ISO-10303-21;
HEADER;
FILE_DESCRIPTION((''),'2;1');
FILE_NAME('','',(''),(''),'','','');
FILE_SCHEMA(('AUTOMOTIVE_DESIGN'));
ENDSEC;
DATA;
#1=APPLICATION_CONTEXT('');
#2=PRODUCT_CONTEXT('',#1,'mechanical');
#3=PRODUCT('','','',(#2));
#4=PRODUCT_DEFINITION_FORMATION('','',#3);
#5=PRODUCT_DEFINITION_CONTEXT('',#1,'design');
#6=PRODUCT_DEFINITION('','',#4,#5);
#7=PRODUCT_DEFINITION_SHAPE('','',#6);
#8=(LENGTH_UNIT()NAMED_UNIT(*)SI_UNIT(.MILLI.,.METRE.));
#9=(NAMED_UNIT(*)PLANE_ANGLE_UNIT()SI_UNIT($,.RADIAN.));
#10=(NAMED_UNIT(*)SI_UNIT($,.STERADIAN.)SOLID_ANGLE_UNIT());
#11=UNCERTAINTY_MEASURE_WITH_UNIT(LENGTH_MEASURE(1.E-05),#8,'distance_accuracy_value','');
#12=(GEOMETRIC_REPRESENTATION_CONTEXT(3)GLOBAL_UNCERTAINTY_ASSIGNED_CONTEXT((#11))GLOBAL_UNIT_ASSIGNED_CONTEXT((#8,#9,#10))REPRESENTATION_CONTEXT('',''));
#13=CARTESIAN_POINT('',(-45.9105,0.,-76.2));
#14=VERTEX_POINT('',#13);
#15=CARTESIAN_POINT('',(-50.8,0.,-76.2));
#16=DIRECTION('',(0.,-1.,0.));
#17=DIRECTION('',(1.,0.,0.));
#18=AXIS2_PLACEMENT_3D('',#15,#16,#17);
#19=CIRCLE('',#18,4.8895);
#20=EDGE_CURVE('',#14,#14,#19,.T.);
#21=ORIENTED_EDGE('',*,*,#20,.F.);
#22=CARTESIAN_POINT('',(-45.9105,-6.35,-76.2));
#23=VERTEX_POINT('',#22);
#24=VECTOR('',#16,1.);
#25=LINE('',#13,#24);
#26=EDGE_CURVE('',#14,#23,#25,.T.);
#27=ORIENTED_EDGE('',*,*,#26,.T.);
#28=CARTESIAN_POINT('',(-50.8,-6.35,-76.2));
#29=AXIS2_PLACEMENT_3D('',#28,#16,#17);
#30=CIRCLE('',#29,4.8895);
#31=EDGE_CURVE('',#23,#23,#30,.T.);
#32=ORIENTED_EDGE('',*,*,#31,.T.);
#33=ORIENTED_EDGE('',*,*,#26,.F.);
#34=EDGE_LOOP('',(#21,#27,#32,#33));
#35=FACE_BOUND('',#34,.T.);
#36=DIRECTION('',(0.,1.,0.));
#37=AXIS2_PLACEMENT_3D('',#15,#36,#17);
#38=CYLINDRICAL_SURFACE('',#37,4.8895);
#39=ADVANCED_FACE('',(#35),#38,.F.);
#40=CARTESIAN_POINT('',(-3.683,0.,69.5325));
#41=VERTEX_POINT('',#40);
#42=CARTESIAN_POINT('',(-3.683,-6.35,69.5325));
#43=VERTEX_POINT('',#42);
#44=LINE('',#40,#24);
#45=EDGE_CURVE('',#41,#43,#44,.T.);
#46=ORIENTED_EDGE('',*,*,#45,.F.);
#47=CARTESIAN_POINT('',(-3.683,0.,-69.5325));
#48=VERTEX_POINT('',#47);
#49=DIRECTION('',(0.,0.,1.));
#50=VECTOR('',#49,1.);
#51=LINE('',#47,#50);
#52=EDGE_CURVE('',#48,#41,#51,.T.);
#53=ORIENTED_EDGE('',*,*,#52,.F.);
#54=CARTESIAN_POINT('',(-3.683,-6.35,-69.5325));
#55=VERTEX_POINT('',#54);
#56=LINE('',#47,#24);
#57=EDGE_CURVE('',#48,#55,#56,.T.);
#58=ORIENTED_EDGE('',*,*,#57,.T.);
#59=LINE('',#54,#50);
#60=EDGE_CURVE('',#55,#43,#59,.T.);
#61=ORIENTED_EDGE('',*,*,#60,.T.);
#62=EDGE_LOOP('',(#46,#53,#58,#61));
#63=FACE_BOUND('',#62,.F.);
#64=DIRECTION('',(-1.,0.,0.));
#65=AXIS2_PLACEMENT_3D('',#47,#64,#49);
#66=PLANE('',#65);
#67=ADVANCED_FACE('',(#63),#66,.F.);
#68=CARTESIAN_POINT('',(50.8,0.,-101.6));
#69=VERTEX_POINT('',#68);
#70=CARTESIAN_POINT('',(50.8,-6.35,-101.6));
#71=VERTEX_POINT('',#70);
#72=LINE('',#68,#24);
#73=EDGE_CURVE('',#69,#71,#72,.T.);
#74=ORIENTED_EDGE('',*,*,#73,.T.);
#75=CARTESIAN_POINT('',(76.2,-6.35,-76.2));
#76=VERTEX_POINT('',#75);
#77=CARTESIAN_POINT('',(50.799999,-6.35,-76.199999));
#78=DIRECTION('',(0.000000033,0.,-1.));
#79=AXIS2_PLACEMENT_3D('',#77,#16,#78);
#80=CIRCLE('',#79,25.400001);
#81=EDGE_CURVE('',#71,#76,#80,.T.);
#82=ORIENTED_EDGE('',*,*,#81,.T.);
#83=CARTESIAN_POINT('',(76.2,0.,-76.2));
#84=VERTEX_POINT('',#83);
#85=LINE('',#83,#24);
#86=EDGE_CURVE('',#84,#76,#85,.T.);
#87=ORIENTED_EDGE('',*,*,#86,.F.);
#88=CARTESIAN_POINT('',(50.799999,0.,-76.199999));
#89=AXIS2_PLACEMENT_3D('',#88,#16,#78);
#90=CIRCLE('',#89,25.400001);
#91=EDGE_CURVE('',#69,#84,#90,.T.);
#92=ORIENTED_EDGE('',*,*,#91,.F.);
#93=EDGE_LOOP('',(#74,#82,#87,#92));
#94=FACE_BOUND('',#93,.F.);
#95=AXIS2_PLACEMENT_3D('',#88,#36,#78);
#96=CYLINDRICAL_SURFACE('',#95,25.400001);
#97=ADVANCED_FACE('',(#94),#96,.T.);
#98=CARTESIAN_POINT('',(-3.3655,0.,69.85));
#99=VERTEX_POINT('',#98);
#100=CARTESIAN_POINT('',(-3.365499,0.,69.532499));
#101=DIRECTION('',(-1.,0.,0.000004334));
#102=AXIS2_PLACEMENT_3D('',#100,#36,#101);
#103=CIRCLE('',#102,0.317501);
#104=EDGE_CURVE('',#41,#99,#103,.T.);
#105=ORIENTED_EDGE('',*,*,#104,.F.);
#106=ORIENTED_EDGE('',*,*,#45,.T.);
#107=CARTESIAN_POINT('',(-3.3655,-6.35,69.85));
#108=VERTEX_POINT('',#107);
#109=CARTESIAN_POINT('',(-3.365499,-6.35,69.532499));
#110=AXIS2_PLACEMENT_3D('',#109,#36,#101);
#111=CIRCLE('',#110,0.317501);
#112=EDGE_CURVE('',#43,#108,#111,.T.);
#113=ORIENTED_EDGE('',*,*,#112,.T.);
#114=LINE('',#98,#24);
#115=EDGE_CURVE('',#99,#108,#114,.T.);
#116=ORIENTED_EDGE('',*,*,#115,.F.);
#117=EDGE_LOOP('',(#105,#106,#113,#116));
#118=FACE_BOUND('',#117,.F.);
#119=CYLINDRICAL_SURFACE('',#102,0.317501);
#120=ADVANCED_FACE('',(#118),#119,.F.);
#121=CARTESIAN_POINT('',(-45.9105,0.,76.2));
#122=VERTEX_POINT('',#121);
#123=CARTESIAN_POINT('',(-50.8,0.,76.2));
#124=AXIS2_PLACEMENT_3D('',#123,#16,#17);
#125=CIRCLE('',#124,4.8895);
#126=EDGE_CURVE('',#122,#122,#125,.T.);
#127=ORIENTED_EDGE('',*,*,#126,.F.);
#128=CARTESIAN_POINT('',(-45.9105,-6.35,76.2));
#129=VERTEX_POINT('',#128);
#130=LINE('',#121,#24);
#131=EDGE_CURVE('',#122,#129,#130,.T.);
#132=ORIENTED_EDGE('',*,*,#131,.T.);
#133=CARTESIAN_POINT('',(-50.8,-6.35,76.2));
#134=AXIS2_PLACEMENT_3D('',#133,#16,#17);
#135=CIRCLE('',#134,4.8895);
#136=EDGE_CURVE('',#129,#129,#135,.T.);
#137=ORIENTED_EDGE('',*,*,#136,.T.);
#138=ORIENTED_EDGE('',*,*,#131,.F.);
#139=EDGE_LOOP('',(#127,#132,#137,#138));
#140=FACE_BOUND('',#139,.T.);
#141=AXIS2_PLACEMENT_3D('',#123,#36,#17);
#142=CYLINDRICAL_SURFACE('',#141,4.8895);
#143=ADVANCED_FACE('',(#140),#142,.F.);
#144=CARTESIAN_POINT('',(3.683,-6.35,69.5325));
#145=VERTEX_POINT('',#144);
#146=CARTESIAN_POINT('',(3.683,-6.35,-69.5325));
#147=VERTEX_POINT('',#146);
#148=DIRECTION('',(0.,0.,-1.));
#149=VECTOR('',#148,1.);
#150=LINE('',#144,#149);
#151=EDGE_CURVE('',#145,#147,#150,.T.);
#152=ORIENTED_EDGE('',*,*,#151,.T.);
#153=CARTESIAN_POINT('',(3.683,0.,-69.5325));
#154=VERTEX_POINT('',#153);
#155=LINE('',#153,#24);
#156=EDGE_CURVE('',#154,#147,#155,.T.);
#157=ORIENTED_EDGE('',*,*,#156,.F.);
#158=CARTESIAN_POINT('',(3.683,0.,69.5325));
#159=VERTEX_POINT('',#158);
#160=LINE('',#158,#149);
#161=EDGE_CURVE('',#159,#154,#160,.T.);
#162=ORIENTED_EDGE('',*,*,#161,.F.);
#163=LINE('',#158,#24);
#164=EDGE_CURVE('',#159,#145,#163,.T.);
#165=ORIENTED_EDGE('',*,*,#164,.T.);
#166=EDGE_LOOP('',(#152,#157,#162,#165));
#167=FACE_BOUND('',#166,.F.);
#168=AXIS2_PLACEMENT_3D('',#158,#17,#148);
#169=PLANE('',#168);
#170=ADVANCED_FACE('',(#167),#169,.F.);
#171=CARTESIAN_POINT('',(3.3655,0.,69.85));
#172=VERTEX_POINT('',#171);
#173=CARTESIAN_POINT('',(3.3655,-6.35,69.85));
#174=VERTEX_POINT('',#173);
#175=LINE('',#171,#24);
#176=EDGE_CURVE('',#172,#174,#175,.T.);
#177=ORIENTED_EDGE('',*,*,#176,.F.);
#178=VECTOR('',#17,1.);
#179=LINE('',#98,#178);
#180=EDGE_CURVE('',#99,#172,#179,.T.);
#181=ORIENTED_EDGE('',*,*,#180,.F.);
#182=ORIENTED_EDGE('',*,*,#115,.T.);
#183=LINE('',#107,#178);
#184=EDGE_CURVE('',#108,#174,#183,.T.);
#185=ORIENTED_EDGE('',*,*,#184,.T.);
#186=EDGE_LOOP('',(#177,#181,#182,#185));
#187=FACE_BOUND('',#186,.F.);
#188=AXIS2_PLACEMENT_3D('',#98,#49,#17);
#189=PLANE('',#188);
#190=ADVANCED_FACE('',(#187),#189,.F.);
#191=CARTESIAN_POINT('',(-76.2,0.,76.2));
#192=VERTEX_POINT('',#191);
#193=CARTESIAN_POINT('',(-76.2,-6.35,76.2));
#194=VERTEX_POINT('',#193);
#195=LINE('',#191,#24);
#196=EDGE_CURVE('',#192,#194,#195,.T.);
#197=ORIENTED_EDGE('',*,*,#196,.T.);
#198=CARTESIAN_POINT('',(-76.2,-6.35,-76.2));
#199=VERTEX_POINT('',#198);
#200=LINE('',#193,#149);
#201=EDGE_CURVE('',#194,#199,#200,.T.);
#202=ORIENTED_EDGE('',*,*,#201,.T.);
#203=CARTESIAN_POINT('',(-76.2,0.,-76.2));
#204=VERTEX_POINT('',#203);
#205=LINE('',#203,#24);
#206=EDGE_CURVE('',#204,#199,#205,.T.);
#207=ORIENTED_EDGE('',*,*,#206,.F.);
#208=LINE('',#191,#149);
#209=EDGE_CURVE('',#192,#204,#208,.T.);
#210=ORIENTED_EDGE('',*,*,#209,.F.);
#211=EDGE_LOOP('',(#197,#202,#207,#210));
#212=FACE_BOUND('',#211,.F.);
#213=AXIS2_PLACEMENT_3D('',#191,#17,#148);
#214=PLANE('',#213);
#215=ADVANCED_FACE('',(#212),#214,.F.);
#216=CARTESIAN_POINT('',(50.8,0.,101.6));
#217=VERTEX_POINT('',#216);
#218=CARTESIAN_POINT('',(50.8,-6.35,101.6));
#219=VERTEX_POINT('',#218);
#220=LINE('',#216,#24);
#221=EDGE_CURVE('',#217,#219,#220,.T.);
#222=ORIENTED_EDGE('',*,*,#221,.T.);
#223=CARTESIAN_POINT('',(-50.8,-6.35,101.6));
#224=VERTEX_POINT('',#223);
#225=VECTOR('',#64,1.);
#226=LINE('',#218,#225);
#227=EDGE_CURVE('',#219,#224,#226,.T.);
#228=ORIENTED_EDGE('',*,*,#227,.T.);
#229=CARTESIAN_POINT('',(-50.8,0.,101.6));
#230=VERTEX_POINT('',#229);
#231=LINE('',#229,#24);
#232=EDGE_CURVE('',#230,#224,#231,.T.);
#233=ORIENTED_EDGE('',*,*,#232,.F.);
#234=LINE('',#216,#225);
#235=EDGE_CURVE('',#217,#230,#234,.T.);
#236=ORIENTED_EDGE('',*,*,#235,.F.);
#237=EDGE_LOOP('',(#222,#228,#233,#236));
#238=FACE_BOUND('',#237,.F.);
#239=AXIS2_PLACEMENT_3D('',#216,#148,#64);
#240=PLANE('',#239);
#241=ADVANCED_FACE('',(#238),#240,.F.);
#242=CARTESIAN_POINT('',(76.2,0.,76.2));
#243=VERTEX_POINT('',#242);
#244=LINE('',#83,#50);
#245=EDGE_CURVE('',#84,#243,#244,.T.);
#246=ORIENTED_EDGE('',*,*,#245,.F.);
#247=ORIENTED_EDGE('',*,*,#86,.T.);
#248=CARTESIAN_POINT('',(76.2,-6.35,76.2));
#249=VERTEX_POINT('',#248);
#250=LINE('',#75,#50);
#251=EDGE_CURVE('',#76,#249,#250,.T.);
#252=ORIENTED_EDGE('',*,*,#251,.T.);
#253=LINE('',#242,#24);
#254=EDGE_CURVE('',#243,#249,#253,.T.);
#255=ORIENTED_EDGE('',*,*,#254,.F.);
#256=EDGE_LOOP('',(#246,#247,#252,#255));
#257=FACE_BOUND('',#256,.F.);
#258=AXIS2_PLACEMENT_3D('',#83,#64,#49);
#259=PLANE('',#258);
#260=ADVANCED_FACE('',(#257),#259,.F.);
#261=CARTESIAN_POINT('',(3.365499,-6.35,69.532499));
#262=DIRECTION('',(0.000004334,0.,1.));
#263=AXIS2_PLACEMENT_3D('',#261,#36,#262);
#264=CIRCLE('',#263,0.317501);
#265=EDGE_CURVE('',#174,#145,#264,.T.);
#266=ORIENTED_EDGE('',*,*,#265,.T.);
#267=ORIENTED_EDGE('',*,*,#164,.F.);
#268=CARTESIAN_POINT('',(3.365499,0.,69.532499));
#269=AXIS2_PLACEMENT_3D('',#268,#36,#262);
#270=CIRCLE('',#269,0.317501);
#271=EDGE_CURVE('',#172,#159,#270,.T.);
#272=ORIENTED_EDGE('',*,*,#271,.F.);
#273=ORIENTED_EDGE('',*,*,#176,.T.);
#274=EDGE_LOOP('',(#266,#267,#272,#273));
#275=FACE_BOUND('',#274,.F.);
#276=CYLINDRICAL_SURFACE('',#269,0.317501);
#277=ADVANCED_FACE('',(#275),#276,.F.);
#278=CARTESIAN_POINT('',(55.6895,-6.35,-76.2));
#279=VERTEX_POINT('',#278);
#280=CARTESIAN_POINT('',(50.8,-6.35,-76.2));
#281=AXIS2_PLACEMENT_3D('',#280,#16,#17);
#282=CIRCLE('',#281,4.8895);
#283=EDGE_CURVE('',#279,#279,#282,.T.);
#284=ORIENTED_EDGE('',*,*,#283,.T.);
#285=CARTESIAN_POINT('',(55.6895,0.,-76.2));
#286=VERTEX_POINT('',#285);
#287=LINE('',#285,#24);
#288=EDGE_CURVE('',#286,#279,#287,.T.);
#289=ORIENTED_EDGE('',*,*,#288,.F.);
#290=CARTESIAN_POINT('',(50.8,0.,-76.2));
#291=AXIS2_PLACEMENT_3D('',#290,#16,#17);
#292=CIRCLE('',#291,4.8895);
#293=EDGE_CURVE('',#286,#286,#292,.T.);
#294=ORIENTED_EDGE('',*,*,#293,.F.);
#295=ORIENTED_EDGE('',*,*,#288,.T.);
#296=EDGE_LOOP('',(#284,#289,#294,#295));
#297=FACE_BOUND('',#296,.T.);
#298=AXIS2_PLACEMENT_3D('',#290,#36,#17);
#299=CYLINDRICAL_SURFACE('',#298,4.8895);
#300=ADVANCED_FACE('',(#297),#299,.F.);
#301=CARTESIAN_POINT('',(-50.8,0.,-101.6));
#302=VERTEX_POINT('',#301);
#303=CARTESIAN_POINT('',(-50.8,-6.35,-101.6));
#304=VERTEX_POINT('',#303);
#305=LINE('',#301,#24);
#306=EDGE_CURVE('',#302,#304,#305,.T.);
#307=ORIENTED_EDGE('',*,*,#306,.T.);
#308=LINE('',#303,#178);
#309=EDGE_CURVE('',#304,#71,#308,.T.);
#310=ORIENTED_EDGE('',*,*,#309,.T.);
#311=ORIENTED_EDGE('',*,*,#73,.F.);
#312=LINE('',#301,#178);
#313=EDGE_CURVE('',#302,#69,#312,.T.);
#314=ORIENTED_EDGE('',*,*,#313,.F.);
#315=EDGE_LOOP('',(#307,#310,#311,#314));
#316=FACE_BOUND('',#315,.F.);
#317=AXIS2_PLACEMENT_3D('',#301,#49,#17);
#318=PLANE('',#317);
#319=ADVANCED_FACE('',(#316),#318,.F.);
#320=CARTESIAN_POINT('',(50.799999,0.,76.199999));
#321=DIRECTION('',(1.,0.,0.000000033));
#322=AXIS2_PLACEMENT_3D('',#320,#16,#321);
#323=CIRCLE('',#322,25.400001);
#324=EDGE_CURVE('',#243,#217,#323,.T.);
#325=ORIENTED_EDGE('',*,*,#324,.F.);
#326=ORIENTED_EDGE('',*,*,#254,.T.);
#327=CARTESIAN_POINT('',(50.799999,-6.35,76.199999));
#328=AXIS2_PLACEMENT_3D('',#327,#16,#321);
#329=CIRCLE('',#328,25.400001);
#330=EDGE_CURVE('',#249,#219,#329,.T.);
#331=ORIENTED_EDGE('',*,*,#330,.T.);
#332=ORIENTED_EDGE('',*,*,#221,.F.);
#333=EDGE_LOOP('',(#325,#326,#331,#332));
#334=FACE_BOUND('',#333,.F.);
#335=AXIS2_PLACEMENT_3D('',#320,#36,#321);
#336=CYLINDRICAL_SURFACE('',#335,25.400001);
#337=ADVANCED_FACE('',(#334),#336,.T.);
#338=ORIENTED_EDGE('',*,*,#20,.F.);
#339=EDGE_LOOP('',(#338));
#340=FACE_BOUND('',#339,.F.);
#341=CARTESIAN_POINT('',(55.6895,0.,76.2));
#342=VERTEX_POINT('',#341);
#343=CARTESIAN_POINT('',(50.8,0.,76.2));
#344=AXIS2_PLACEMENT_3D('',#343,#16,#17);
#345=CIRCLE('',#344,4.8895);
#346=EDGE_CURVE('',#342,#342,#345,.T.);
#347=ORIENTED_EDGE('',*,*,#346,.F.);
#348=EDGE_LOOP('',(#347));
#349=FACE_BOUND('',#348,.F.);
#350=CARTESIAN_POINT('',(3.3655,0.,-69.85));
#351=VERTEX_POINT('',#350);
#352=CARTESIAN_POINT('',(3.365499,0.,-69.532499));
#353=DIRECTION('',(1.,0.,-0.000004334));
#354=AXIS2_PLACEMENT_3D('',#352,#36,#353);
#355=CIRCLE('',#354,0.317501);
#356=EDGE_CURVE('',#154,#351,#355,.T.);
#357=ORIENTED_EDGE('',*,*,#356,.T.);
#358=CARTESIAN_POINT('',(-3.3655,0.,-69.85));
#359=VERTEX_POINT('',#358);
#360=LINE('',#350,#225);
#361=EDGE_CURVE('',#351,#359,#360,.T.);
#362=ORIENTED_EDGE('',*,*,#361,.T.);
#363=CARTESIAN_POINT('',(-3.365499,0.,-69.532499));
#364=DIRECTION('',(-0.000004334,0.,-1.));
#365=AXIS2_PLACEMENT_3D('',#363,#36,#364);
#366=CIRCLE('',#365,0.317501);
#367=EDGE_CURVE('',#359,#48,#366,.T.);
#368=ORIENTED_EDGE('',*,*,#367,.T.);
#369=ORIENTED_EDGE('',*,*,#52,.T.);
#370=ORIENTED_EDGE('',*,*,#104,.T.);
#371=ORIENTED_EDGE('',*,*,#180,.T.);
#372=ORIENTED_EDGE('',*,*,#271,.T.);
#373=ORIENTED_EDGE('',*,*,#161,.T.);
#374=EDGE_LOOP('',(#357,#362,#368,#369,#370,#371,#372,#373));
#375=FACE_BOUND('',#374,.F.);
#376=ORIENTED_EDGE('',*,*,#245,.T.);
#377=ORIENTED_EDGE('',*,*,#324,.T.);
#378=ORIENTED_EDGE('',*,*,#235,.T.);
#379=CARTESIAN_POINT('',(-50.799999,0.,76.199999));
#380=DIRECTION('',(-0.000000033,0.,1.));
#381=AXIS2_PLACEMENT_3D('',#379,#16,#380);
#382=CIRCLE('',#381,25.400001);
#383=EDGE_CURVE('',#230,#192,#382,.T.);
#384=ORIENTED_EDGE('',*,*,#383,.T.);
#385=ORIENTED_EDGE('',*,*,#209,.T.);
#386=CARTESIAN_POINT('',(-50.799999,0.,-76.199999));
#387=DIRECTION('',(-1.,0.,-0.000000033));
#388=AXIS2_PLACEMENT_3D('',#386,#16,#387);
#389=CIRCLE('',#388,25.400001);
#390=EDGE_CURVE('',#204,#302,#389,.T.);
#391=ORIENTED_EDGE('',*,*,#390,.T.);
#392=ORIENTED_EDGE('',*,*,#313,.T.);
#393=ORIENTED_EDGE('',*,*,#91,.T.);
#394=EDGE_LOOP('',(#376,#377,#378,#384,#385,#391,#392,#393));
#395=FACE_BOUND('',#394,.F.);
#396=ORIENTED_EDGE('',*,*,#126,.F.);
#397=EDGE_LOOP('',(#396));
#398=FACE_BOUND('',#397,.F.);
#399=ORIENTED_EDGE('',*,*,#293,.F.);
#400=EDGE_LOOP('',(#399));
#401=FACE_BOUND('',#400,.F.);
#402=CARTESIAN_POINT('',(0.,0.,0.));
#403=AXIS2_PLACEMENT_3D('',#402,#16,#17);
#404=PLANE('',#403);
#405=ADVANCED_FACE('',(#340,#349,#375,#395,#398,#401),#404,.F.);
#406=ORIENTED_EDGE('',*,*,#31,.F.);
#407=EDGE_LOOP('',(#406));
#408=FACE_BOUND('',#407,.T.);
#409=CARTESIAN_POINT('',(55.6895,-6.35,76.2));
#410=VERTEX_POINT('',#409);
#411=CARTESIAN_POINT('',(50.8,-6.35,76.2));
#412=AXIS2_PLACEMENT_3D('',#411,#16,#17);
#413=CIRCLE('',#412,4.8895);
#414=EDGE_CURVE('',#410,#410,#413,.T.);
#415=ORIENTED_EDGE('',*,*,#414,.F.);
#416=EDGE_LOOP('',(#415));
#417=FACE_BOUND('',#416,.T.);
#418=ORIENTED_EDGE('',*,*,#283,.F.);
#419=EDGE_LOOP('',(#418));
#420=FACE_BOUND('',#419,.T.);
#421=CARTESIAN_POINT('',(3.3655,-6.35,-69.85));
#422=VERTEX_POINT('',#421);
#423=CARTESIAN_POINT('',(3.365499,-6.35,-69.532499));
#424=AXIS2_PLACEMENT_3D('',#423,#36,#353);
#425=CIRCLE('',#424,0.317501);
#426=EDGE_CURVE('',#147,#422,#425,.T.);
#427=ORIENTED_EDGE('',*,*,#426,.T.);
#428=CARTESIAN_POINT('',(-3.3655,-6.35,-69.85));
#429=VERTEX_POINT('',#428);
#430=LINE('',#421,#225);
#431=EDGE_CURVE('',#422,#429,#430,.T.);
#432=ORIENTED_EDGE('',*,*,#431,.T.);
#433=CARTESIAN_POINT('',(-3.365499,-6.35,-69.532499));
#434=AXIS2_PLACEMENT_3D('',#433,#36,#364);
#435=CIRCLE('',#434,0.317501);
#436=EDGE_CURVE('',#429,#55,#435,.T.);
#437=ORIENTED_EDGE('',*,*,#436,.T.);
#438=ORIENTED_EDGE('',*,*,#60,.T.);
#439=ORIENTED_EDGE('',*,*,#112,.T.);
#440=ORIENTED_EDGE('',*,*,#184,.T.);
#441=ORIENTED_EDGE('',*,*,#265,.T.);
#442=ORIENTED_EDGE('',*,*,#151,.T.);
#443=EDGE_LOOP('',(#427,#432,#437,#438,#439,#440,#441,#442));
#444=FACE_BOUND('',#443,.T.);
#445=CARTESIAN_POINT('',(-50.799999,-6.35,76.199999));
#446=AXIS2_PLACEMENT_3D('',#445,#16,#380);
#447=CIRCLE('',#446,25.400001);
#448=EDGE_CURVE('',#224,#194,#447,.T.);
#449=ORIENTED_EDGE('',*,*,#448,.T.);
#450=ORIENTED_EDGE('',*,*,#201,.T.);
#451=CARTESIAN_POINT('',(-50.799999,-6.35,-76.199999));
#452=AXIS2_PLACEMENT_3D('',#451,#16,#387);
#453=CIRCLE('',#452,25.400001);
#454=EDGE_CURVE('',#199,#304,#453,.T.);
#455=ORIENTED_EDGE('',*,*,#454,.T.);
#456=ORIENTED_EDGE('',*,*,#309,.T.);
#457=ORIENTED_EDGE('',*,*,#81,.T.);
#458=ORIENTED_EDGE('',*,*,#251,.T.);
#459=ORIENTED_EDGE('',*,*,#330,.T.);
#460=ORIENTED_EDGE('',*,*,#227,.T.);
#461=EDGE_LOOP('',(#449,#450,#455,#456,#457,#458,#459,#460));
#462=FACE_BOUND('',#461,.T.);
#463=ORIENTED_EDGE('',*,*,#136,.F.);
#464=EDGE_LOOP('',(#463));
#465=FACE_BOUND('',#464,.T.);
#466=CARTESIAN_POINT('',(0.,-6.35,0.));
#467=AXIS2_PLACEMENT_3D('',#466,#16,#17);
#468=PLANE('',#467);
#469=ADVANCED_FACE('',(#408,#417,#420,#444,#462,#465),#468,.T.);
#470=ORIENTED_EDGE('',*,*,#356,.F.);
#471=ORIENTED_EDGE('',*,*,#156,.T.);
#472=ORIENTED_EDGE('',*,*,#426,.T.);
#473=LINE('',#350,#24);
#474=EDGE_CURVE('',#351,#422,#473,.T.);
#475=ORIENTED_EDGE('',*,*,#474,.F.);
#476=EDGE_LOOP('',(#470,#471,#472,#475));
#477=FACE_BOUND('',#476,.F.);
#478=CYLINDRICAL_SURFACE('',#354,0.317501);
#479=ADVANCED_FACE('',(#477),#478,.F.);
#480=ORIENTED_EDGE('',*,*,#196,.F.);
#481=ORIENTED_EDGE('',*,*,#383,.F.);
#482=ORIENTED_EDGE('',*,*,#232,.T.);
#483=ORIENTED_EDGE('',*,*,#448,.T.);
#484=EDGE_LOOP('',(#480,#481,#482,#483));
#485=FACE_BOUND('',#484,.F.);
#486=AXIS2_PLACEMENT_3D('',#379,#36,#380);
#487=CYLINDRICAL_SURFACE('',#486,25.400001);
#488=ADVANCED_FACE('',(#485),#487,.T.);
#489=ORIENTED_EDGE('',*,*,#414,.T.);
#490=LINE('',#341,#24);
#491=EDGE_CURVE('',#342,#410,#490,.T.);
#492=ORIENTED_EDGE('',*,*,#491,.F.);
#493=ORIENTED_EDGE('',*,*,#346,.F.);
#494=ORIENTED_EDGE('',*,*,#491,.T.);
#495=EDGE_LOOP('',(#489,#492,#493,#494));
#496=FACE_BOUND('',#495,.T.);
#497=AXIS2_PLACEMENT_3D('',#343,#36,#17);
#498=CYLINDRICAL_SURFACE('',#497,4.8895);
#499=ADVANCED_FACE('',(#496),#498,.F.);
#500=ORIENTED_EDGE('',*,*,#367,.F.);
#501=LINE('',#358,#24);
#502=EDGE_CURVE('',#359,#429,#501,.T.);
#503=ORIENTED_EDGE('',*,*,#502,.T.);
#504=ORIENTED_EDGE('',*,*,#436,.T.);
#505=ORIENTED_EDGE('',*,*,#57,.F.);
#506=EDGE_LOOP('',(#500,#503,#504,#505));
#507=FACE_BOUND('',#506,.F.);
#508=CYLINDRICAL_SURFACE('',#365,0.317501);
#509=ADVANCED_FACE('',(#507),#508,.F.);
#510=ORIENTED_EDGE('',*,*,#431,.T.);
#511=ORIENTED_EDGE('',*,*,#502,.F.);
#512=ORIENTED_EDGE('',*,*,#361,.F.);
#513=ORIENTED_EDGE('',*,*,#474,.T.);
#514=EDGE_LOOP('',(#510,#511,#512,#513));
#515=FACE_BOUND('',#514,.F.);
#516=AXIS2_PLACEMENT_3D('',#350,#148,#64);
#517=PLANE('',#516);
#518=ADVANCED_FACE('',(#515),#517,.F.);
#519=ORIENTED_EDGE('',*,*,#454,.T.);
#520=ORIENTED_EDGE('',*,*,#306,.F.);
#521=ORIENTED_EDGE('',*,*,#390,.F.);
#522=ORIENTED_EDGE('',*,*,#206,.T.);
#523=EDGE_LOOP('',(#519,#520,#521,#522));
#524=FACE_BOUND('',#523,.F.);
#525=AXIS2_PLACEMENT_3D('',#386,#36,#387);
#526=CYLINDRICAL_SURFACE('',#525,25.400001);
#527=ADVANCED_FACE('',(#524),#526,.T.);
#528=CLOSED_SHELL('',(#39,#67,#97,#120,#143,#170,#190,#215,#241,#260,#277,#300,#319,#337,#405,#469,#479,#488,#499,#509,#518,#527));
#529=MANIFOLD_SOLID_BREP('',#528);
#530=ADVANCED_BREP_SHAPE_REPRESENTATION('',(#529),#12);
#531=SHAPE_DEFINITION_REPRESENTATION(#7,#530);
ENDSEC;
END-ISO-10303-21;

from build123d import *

# Parameters (mm, degrees)
F0_R     = 4.8895
F1_DEPTH = 6.35


with BuildPart() as f1:
    # F0 (on Front) → F1 (new body)
    with BuildSketch(Plane.XZ):
        with BuildLine():
            ThreePointArc((-76.2, -76.2), (-68.760512, -94.160512), (-50.8, -101.6))
            Line((-50.8, -101.6), (50.8, -101.6))
            ThreePointArc((50.8, -101.6), (68.760512, -94.160512), (76.2, -76.2))
            Line((76.2, -76.2), (76.2, 76.2))
            ThreePointArc((76.2, 76.2), (68.760512, 94.160512), (50.8, 101.6))
            Line((50.8, 101.6), (-50.8, 101.6))
            ThreePointArc((-50.8, 101.6), (-68.760512, 94.160512), (-76.2, 76.2))
            Line((-76.2, 76.2), (-76.2, -76.2))
        make_face()
        with Locations((-50.8, -76.2)):
            Circle(F0_R, mode=Mode.SUBTRACT)
        with BuildLine():
            Line((3.3655, -69.85), (-3.3655, -69.85))
            ThreePointArc((-3.3655, -69.85), (-3.590006, -69.757006), (-3.683, -69.5325))
            Line((-3.683, -69.5325), (-3.683, 69.5325))
            ThreePointArc((-3.683, 69.5325), (-3.590006, 69.757006), (-3.3655, 69.85))
            Line((-3.3655, 69.85), (3.3655, 69.85))
            ThreePointArc((3.3655, 69.85), (3.590006, 69.757006), (3.683, 69.5325))
            Line((3.683, 69.5325), (3.683, -69.5325))
            ThreePointArc((3.683, -69.5325), (3.590006, -69.757006), (3.3655, -69.85))
        make_face(mode=Mode.SUBTRACT)
        with Locations((50.8, -76.2)):
            Circle(F0_R, mode=Mode.SUBTRACT)
        with Locations((-50.8, 76.2)):
            Circle(F0_R, mode=Mode.SUBTRACT)
        with Locations((50.8, 76.2)):
            Circle(F0_R, mode=Mode.SUBTRACT)
    extrude(amount=F1_DEPTH)


solid = f1.part
